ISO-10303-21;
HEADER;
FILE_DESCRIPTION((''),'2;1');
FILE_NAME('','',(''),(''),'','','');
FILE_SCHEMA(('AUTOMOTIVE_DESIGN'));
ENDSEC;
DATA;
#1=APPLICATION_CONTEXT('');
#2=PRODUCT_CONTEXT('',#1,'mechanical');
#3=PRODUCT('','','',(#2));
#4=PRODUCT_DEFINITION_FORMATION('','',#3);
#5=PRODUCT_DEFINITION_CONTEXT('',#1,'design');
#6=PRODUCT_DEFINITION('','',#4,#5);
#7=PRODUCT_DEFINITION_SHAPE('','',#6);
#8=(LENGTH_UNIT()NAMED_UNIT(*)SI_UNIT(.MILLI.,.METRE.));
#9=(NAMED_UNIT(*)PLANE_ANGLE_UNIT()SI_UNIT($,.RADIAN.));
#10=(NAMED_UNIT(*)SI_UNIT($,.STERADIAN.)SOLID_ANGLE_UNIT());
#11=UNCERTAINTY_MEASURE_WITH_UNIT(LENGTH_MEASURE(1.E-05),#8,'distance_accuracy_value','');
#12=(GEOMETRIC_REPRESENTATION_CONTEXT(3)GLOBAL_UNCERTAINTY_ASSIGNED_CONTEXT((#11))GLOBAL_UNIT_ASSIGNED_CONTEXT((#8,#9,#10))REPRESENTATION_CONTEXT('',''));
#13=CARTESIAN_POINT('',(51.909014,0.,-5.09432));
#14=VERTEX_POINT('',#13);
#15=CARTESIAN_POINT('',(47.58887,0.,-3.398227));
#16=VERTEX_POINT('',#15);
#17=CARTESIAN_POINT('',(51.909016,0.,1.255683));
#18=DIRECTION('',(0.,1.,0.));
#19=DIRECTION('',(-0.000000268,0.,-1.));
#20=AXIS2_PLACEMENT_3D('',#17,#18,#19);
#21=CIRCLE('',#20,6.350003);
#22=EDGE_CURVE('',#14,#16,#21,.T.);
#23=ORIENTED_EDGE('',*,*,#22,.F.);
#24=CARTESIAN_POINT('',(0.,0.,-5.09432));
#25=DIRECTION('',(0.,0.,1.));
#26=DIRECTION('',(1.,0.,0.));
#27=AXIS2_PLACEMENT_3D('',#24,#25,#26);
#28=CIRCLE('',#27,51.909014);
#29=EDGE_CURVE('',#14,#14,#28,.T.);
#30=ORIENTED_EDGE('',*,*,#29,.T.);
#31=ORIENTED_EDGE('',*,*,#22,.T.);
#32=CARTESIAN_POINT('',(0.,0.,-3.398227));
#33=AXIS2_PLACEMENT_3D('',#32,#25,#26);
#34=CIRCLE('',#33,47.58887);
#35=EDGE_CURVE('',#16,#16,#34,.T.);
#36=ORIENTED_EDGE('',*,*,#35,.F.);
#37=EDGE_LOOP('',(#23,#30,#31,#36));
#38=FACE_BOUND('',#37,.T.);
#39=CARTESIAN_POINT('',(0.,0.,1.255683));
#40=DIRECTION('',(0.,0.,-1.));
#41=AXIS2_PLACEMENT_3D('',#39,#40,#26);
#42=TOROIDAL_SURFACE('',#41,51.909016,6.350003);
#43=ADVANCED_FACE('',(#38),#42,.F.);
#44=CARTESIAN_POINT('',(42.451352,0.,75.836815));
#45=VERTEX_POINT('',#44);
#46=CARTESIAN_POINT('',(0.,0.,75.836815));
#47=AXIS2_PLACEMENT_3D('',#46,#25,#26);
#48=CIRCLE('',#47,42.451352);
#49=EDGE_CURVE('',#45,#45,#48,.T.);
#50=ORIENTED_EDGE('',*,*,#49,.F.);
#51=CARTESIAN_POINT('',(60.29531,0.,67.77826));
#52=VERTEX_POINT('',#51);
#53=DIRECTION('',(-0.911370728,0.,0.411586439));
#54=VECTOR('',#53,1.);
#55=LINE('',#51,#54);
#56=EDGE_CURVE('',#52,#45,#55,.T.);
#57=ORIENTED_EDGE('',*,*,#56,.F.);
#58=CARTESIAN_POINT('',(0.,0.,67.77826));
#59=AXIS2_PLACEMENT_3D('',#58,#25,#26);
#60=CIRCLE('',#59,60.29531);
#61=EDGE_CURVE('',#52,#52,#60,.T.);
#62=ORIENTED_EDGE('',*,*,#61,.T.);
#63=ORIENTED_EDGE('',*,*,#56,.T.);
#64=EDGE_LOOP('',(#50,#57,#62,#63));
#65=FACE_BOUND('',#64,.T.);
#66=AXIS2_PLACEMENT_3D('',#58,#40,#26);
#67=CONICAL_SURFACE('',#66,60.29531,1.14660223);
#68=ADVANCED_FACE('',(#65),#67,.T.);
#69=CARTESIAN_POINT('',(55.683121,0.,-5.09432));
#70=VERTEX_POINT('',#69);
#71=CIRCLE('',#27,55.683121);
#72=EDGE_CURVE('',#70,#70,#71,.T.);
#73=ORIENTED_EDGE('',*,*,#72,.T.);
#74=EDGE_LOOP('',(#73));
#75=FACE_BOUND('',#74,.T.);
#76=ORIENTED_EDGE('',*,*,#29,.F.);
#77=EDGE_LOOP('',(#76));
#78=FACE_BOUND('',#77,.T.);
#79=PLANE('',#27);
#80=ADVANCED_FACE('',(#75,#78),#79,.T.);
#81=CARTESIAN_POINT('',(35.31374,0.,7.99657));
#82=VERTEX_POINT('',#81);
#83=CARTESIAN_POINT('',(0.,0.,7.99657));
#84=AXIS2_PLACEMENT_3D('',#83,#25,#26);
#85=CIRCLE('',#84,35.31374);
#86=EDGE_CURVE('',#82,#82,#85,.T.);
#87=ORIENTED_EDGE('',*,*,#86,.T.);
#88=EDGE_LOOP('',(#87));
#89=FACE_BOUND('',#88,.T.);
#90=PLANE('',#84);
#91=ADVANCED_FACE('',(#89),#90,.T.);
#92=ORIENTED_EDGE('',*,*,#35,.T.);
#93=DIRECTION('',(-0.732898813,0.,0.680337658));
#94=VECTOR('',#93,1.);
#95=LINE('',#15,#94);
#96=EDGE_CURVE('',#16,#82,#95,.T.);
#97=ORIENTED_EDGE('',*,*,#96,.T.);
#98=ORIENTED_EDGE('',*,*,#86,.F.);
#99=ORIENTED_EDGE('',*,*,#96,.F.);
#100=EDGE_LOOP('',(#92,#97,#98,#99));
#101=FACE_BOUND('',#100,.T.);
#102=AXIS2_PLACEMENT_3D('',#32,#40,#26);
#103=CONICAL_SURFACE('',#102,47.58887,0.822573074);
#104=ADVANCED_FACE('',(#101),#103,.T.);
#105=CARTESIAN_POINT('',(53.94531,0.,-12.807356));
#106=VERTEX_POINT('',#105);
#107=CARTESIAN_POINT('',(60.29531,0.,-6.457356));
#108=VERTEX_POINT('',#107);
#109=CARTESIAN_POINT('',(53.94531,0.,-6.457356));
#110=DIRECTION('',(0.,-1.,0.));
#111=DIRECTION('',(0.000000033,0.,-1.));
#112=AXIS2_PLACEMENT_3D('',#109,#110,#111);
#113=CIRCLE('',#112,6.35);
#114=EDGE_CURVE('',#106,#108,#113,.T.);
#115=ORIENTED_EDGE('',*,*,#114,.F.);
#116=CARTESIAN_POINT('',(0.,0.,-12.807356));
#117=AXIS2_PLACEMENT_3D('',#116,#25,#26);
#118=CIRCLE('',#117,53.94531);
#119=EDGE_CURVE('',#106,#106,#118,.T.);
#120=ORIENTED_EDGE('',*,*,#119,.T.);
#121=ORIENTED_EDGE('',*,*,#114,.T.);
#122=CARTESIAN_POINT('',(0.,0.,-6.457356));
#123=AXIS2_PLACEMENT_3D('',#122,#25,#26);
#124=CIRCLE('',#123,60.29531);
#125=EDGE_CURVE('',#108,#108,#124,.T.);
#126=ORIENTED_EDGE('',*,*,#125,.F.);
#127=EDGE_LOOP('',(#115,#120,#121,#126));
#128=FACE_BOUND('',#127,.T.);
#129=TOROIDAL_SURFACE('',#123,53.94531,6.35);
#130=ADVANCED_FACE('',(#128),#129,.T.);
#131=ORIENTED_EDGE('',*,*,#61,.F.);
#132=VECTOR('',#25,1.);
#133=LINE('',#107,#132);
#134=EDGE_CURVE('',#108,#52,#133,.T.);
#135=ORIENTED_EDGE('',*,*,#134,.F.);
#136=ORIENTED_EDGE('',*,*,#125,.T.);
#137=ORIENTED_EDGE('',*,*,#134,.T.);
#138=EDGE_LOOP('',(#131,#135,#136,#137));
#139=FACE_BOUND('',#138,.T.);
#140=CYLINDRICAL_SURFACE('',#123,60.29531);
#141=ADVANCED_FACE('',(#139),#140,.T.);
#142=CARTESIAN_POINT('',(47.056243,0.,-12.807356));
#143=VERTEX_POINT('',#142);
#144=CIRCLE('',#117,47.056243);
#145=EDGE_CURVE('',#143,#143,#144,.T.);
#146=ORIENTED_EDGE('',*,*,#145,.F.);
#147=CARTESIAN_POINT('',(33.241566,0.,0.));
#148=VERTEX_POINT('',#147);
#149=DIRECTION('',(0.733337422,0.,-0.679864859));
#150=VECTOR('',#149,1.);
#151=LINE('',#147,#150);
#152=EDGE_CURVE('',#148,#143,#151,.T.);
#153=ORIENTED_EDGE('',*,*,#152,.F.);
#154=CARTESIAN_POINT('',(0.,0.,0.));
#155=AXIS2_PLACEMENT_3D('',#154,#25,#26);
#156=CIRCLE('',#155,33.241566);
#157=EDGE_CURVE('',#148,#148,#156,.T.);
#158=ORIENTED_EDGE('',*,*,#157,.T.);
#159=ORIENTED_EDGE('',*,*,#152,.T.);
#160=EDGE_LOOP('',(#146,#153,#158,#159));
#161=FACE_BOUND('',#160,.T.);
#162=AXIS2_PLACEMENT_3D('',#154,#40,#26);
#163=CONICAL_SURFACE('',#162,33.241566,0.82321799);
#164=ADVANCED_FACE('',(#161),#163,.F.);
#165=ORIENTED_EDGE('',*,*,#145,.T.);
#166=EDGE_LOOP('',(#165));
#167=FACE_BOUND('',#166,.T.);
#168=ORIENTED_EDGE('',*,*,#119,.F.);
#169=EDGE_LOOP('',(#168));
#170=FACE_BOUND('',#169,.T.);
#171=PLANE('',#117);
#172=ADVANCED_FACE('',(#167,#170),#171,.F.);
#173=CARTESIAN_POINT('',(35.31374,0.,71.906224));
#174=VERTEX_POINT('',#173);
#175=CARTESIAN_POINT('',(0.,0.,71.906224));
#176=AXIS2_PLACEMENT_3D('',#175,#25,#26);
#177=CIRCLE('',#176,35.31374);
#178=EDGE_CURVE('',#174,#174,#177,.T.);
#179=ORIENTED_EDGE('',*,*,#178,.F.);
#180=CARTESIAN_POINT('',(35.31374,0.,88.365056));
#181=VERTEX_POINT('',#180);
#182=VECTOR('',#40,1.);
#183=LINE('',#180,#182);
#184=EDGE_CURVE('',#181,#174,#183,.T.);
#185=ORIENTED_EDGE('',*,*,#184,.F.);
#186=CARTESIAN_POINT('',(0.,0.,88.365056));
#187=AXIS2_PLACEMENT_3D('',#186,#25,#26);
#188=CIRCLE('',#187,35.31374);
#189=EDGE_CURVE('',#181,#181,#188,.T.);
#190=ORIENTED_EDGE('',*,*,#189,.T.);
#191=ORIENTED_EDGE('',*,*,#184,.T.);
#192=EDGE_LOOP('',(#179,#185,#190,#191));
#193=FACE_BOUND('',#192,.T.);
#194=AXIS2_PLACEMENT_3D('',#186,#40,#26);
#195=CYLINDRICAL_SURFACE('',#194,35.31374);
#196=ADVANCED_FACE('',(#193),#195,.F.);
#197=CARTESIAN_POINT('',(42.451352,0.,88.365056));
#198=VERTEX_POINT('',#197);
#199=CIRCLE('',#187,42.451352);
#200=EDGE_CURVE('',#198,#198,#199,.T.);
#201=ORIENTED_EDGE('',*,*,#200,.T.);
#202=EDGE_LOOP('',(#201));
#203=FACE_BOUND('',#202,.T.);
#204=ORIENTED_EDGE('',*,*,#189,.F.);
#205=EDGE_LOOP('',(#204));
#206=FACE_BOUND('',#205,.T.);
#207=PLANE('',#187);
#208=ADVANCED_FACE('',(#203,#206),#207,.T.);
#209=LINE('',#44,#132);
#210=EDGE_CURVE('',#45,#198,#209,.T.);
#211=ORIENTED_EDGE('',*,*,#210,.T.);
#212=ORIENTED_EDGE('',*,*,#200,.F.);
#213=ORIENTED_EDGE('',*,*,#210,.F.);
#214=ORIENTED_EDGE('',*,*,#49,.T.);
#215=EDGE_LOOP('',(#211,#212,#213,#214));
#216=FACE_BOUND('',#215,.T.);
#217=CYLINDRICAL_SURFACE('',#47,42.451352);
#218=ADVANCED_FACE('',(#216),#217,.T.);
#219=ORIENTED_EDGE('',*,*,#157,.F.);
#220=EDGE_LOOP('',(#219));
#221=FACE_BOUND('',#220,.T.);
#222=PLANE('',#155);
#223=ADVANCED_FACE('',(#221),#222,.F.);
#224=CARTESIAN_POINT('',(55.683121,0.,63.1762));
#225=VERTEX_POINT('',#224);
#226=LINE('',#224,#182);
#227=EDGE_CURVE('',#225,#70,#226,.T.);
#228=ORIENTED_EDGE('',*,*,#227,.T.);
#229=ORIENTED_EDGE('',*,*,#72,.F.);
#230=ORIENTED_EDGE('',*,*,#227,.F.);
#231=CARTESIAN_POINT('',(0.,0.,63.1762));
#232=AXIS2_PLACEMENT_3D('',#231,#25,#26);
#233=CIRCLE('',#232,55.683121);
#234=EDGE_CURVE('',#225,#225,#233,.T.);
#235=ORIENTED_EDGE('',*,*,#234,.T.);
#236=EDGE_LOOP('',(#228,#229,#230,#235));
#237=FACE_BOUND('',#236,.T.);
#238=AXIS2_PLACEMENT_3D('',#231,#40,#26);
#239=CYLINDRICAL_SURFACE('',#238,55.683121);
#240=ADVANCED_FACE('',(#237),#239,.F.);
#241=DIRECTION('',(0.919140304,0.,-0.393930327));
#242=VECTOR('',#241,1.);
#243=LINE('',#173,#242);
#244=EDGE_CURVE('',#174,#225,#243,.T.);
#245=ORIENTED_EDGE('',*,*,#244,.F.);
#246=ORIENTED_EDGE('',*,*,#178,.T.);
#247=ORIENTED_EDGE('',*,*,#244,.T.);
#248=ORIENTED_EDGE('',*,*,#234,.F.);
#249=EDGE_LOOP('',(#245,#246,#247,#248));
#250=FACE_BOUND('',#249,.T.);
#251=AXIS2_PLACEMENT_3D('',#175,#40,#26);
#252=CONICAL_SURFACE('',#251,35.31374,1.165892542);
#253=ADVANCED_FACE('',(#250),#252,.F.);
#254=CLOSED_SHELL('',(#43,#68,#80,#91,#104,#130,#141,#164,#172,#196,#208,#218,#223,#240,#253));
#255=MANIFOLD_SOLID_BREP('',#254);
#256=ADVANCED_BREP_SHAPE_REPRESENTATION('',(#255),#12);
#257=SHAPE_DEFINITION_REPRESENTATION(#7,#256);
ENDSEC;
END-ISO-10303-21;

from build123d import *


with BuildPart() as f1:
    # F0 (on Front) → F1 (revolve)
    with BuildSketch(Plane.XZ):
        with BuildLine():
            Line((0, 7.99657), (0, 0))
            Line((0, 0), (33.241566, 0))
            Line((33.241566, 0), (47.056243, -12.807356))
            Line((47.056243, -12.807356), (53.94531, -12.807356))
            ThreePointArc((53.94531, -12.807356), (58.435438, -10.947484), (60.29531, -6.457356))
            Line((60.29531, -6.457356), (60.29531, 67.77826))
            Line((60.29531, 67.77826), (42.451352, 75.836815))
            Line((42.451352, 75.836815), (42.451352, 88.365056))
            Line((42.451352, 88.365056), (35.31374, 88.365056))
            Line((35.31374, 88.365056), (35.31374, 71.906224))
            Line((35.31374, 71.906224), (55.683121, 63.1762))
            Line((55.683121, 63.1762), (55.683121, -5.09432))
            Line((55.683121, -5.09432), (51.909014, -5.09432))
            ThreePointArc((51.909014, -5.09432), (49.588434, -4.655107), (47.58887, -3.398227))
            Line((47.58887, -3.398227), (35.31374, 7.99657))
            Line((35.31374, 7.99657), (0, 7.99657))
        make_face()
    revolve(axis=Axis((0, 0, 33.313517), (0, 0, 1)))


solid = f1.part
